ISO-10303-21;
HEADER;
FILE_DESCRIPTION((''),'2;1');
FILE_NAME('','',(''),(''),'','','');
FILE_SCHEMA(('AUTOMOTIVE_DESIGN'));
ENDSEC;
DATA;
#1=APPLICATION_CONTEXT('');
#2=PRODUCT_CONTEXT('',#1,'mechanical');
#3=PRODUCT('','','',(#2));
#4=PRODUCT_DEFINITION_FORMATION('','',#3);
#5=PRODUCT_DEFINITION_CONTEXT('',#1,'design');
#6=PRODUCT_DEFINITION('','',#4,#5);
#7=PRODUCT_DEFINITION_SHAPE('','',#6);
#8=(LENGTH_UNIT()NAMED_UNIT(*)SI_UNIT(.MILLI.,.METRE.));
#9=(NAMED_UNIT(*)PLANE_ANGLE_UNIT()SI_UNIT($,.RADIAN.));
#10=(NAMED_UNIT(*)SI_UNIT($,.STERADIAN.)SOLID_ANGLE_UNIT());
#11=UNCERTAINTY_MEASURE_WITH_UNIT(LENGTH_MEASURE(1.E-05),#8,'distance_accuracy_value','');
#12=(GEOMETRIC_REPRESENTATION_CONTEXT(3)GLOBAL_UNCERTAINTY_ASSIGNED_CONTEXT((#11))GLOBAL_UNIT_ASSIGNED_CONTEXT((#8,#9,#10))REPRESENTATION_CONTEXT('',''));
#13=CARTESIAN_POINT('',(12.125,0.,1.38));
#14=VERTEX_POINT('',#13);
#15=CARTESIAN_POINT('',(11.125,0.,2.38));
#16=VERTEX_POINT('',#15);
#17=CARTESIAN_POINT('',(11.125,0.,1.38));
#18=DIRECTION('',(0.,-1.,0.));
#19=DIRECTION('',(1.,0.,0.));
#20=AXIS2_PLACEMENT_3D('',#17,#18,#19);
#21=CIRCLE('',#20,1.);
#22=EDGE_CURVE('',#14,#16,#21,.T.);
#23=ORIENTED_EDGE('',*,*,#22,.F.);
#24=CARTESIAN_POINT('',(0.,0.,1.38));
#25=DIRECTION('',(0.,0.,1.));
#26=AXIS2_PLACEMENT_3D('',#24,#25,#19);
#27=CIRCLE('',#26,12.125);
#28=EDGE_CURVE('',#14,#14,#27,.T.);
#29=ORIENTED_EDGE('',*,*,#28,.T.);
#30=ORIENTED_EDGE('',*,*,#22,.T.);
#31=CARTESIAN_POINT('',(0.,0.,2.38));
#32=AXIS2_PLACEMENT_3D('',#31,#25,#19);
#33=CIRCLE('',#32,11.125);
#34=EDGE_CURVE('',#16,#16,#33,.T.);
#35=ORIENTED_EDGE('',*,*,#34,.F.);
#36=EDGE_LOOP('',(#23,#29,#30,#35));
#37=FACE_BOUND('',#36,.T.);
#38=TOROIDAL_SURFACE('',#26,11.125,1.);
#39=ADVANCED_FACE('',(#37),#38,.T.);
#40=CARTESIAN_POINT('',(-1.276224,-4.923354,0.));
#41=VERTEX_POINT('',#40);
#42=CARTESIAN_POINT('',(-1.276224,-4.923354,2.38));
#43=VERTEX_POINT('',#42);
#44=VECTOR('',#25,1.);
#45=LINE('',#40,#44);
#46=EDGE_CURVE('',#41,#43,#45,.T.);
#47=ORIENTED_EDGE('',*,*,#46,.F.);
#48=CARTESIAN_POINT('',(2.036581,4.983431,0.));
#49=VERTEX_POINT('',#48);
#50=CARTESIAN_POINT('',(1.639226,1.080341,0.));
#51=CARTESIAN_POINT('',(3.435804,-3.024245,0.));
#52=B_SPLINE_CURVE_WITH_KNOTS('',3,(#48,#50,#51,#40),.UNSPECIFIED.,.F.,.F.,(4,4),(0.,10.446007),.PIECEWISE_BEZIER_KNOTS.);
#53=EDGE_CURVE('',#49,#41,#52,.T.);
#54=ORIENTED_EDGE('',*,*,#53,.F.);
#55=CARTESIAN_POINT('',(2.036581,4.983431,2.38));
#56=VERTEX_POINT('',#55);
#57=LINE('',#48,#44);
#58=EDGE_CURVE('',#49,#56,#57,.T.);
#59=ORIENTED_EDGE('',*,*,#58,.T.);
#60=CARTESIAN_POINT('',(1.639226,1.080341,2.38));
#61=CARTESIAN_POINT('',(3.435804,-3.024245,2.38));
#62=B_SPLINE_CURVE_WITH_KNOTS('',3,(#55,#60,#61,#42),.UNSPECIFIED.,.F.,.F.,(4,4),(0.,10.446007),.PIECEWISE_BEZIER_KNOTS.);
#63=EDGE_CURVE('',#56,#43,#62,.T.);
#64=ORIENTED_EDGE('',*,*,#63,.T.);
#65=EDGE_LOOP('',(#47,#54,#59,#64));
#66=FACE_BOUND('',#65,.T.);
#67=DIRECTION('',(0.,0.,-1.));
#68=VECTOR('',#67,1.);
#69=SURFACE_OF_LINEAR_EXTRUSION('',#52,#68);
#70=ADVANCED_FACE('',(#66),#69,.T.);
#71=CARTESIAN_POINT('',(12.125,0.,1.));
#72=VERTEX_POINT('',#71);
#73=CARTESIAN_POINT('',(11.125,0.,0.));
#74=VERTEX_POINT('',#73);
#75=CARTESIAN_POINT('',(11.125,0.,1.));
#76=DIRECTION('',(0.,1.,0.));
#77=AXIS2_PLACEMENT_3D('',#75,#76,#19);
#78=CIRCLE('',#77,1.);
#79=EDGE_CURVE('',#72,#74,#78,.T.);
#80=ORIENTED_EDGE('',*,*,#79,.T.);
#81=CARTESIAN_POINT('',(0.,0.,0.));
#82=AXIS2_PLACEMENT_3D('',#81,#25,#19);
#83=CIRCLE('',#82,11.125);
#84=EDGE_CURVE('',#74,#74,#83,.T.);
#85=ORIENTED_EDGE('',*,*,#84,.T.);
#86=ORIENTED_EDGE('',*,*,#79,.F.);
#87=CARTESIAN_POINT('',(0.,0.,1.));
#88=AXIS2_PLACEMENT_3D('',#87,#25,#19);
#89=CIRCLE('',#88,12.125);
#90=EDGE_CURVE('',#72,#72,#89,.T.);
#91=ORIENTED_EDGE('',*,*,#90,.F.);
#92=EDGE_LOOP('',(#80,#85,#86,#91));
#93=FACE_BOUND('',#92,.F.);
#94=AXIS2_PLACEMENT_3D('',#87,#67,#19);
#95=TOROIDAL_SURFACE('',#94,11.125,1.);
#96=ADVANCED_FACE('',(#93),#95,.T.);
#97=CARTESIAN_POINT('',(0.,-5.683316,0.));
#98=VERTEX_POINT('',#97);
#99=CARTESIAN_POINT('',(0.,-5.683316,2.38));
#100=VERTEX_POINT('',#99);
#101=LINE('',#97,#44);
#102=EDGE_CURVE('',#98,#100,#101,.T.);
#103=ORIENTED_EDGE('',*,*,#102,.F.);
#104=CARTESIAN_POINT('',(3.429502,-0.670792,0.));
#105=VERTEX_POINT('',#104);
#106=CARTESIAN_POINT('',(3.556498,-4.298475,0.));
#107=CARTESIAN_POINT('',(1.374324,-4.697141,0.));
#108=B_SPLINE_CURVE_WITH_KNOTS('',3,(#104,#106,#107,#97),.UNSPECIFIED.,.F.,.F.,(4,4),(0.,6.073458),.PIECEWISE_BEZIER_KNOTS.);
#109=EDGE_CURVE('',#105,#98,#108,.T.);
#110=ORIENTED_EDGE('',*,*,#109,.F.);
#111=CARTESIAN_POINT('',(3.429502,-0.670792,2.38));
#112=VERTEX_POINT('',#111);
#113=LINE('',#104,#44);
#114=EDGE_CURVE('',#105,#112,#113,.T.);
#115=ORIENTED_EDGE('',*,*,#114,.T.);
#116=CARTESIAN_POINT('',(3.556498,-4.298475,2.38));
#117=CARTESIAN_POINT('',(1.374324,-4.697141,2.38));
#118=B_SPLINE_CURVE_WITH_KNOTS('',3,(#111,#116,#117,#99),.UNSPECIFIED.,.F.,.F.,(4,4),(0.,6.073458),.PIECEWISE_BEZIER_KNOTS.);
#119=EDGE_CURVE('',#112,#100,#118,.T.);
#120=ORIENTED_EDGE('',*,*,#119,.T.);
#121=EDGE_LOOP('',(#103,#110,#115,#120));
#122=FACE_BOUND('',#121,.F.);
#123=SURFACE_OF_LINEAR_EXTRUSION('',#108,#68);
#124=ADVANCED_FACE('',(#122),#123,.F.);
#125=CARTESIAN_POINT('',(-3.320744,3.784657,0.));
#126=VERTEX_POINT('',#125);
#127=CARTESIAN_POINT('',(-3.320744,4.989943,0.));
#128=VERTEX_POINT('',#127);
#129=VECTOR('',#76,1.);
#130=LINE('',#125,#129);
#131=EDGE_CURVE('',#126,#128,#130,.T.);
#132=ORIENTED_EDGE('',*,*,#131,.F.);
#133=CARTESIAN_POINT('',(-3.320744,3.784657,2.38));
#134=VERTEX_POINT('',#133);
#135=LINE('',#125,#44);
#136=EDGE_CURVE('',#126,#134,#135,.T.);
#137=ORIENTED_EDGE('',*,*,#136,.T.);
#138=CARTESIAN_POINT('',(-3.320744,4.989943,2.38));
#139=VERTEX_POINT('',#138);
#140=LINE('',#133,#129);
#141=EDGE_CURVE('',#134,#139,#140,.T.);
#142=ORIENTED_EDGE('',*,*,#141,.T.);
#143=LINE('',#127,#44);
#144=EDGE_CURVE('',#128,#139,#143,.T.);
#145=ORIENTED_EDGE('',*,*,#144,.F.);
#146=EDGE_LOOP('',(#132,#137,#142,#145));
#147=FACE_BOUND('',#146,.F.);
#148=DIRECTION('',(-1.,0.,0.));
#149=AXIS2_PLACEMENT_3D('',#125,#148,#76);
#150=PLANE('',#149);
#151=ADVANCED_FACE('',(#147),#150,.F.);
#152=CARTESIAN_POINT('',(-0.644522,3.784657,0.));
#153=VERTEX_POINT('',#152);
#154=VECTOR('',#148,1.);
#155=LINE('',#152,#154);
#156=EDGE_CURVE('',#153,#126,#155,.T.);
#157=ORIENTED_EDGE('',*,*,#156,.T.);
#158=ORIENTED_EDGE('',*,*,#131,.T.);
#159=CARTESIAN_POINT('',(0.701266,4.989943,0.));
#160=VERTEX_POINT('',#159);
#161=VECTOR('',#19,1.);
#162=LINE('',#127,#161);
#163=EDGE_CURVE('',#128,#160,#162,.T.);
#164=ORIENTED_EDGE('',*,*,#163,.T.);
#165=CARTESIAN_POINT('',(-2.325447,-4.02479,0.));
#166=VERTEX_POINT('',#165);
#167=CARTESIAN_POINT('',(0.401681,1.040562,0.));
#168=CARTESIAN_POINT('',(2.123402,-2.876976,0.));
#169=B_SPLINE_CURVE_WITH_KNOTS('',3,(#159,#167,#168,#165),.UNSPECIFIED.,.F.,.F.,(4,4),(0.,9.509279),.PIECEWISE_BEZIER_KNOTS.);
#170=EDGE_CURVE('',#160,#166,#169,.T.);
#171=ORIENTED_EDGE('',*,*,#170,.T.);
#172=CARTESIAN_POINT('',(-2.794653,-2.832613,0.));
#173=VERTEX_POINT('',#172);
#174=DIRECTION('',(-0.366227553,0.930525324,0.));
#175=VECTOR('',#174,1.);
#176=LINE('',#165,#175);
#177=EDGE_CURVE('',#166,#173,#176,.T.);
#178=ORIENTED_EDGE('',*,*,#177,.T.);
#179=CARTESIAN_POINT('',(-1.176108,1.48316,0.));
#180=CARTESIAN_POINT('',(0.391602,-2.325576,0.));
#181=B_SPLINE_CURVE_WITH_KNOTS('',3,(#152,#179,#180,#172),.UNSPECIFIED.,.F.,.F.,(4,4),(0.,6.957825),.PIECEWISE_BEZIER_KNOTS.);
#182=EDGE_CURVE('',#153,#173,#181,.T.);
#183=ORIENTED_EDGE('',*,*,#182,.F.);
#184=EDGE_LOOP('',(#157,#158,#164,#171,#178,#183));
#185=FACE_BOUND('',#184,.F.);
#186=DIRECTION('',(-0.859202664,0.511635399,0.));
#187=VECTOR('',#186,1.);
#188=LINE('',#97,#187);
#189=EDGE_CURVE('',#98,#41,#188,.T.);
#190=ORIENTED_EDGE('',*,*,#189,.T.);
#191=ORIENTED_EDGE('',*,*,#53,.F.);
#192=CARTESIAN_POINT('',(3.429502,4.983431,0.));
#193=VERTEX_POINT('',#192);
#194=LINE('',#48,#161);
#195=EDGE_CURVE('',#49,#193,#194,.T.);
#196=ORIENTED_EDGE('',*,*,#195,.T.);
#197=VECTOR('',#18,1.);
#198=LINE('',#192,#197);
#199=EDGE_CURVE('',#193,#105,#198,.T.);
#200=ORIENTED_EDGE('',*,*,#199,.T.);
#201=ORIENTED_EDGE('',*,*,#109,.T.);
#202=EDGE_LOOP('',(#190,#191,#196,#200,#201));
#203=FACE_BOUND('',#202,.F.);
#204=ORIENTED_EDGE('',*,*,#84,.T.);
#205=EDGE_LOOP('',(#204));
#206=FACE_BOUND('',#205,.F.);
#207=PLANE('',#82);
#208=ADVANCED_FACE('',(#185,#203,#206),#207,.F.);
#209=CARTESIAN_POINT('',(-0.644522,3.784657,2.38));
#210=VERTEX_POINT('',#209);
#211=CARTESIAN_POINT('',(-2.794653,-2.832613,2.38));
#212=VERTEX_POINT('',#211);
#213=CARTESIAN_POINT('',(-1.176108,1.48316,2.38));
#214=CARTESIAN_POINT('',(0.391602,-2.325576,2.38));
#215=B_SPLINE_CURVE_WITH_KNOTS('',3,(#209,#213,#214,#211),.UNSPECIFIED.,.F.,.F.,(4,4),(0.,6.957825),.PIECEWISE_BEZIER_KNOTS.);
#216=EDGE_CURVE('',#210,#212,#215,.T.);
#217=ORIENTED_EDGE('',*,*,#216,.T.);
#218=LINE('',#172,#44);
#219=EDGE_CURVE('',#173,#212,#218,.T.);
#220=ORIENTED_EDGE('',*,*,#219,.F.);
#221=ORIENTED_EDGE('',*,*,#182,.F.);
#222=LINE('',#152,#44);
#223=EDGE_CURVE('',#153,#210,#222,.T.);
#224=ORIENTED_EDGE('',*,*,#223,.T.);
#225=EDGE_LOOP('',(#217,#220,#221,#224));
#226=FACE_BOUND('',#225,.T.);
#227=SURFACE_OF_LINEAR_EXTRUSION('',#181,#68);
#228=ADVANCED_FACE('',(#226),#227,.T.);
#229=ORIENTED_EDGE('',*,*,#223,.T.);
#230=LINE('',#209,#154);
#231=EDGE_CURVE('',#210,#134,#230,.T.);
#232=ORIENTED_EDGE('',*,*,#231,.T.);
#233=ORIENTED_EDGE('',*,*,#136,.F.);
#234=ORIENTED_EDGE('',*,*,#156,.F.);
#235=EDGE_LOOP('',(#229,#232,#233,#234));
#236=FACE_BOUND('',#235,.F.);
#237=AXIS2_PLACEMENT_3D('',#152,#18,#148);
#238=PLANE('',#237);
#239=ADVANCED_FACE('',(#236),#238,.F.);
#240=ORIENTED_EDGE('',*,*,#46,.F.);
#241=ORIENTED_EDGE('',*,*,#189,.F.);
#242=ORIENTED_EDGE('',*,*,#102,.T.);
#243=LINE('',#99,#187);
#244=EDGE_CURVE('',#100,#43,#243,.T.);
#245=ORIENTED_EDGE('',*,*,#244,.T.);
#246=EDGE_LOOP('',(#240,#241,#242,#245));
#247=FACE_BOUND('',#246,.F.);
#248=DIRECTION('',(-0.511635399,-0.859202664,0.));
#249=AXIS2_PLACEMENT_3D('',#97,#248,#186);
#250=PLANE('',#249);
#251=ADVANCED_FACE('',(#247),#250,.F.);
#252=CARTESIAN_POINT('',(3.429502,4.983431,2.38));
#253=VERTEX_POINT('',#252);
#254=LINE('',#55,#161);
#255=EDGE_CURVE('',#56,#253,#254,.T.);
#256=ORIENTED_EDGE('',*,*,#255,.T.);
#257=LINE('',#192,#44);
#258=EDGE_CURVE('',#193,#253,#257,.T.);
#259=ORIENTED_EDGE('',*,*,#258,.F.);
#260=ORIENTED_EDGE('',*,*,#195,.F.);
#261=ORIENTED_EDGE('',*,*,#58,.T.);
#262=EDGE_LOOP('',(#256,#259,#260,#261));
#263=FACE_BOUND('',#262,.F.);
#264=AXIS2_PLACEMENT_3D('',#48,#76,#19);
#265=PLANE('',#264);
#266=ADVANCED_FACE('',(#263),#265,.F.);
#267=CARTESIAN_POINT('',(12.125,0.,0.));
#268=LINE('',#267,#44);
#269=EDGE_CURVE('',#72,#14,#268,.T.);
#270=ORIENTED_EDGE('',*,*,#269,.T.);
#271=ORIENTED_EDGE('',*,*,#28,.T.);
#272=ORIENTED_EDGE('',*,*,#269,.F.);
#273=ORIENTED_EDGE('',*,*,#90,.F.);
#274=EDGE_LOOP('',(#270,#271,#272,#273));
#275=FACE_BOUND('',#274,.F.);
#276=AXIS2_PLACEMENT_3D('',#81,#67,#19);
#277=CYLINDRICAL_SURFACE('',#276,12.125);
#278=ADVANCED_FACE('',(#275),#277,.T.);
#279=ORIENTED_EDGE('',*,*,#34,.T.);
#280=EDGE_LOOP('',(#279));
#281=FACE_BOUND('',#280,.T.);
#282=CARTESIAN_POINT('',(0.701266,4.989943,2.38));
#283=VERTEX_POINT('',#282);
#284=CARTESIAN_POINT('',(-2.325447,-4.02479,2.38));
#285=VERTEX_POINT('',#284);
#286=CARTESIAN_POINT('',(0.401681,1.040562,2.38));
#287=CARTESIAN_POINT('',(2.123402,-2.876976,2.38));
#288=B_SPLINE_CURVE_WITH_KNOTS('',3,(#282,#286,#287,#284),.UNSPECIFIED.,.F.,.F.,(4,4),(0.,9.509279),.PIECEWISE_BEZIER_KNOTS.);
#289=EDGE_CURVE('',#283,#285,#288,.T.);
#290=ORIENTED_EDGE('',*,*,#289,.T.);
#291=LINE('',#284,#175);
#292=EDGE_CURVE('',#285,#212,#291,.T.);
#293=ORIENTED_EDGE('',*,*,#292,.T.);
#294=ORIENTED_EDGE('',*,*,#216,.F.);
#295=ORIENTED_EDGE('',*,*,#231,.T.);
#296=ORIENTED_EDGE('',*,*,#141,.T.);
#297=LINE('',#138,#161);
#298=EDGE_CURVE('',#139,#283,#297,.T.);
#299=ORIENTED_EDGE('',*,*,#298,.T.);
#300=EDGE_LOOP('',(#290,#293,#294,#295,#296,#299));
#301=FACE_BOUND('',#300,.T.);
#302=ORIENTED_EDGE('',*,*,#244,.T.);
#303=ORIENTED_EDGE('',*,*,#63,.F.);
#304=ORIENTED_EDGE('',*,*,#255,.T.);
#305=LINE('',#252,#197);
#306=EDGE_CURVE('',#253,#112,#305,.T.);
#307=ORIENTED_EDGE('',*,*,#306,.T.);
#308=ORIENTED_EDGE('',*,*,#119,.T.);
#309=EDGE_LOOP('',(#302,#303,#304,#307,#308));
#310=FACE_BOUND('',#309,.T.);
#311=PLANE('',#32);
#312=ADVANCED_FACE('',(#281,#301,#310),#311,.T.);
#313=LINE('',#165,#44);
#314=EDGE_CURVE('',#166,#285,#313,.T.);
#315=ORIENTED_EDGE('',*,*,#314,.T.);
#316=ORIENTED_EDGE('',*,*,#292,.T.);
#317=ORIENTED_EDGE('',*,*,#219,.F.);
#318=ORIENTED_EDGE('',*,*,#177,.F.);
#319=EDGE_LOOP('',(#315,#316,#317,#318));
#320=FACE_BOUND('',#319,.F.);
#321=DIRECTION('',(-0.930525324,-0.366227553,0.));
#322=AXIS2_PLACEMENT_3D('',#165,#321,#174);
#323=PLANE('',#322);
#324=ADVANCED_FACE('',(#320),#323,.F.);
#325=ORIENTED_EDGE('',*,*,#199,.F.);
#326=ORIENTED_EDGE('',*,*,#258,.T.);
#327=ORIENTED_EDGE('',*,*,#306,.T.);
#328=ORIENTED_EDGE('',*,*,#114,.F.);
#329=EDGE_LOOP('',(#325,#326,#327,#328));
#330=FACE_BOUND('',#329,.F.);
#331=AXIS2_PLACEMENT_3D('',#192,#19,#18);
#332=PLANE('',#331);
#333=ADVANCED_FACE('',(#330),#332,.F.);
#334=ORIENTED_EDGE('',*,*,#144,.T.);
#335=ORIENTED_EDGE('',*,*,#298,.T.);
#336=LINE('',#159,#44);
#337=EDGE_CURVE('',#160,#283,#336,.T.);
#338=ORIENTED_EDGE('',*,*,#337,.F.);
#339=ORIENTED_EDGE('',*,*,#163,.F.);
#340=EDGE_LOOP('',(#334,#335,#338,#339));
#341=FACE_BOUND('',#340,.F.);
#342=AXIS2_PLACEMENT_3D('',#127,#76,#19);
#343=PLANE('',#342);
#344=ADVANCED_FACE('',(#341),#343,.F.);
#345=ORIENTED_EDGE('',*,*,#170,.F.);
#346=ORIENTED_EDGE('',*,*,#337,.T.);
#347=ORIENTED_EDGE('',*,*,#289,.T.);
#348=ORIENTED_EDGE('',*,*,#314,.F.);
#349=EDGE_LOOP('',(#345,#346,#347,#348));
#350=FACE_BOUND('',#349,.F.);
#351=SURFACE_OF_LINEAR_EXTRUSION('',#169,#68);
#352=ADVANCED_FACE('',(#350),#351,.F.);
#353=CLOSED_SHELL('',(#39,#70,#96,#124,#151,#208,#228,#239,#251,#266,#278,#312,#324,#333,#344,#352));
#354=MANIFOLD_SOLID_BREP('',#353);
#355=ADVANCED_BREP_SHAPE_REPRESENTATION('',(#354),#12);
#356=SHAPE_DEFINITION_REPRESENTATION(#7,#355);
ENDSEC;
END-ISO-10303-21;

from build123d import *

# Parameters (mm, degrees)
F0_R     = 12.125
F1_DEPTH = 2.38
F2_R     = 1


with BuildPart() as f1:
    # F0 (on Top) → F1 (new body)
    with BuildSketch(Plane.XY):
        Circle(F0_R)
        with BuildLine():
            add(Edge.make_bspline(
                [(2.036581, 4.983431), (1.639226, 1.080341), (3.435804, -3.024245), (-1.276224, -4.923354)],
                knots=[0, 0, 0, 0, 10.446007, 10.446007, 10.446007, 10.446007], degree=3))
            Line((2.036581, 4.983431), (3.429502, 4.983431))
            Line((3.429502, 4.983431), (3.429502, -0.670792))
            add(Edge.make_bspline(
                [(3.429502, -0.670792), (3.556498, -4.298475), (1.374324, -4.697141), (0, -5.683316)],
                knots=[0, 0, 0, 0, 6.073458, 6.073458, 6.073458, 6.073458], degree=3))
            Line((0, -5.683316), (-1.276224, -4.923354))
        make_face(mode=Mode.SUBTRACT)
        with BuildLine():
            Line((-3.320744, 3.784657), (-3.320744, 4.989943))
            Line((-3.320744, 4.989943), (0.701266, 4.989943))
            add(Edge.make_bspline(
                [(0.701266, 4.989943), (0.401681, 1.040562), (2.123402, -2.876976), (-2.325447, -4.02479)],
                knots=[0, 0, 0, 0, 9.509279, 9.509279, 9.509279, 9.509279], degree=3))
            Line((-2.325447, -4.02479), (-2.794653, -2.832613))
            add(Edge.make_bspline(
                [(-0.644522, 3.784657), (-1.176108, 1.48316), (0.391602, -2.325576), (-2.794653, -2.832613)],
                knots=[0, 0, 0, 0, 6.957825, 6.957825, 6.957825, 6.957825], degree=3))
            Line((-0.644522, 3.784657), (-3.320744, 3.784657))
        make_face(mode=Mode.SUBTRACT)
    extrude(amount=F1_DEPTH)

    # F2
    f2_edges = [f1.edges().sort_by_distance(p)[0] for p in [
        (-12.125, 0, 2.38),
        (-12.125, 0, 0),
    ]]
    fillet(f2_edges, radius=F2_R)


solid = f1.part
